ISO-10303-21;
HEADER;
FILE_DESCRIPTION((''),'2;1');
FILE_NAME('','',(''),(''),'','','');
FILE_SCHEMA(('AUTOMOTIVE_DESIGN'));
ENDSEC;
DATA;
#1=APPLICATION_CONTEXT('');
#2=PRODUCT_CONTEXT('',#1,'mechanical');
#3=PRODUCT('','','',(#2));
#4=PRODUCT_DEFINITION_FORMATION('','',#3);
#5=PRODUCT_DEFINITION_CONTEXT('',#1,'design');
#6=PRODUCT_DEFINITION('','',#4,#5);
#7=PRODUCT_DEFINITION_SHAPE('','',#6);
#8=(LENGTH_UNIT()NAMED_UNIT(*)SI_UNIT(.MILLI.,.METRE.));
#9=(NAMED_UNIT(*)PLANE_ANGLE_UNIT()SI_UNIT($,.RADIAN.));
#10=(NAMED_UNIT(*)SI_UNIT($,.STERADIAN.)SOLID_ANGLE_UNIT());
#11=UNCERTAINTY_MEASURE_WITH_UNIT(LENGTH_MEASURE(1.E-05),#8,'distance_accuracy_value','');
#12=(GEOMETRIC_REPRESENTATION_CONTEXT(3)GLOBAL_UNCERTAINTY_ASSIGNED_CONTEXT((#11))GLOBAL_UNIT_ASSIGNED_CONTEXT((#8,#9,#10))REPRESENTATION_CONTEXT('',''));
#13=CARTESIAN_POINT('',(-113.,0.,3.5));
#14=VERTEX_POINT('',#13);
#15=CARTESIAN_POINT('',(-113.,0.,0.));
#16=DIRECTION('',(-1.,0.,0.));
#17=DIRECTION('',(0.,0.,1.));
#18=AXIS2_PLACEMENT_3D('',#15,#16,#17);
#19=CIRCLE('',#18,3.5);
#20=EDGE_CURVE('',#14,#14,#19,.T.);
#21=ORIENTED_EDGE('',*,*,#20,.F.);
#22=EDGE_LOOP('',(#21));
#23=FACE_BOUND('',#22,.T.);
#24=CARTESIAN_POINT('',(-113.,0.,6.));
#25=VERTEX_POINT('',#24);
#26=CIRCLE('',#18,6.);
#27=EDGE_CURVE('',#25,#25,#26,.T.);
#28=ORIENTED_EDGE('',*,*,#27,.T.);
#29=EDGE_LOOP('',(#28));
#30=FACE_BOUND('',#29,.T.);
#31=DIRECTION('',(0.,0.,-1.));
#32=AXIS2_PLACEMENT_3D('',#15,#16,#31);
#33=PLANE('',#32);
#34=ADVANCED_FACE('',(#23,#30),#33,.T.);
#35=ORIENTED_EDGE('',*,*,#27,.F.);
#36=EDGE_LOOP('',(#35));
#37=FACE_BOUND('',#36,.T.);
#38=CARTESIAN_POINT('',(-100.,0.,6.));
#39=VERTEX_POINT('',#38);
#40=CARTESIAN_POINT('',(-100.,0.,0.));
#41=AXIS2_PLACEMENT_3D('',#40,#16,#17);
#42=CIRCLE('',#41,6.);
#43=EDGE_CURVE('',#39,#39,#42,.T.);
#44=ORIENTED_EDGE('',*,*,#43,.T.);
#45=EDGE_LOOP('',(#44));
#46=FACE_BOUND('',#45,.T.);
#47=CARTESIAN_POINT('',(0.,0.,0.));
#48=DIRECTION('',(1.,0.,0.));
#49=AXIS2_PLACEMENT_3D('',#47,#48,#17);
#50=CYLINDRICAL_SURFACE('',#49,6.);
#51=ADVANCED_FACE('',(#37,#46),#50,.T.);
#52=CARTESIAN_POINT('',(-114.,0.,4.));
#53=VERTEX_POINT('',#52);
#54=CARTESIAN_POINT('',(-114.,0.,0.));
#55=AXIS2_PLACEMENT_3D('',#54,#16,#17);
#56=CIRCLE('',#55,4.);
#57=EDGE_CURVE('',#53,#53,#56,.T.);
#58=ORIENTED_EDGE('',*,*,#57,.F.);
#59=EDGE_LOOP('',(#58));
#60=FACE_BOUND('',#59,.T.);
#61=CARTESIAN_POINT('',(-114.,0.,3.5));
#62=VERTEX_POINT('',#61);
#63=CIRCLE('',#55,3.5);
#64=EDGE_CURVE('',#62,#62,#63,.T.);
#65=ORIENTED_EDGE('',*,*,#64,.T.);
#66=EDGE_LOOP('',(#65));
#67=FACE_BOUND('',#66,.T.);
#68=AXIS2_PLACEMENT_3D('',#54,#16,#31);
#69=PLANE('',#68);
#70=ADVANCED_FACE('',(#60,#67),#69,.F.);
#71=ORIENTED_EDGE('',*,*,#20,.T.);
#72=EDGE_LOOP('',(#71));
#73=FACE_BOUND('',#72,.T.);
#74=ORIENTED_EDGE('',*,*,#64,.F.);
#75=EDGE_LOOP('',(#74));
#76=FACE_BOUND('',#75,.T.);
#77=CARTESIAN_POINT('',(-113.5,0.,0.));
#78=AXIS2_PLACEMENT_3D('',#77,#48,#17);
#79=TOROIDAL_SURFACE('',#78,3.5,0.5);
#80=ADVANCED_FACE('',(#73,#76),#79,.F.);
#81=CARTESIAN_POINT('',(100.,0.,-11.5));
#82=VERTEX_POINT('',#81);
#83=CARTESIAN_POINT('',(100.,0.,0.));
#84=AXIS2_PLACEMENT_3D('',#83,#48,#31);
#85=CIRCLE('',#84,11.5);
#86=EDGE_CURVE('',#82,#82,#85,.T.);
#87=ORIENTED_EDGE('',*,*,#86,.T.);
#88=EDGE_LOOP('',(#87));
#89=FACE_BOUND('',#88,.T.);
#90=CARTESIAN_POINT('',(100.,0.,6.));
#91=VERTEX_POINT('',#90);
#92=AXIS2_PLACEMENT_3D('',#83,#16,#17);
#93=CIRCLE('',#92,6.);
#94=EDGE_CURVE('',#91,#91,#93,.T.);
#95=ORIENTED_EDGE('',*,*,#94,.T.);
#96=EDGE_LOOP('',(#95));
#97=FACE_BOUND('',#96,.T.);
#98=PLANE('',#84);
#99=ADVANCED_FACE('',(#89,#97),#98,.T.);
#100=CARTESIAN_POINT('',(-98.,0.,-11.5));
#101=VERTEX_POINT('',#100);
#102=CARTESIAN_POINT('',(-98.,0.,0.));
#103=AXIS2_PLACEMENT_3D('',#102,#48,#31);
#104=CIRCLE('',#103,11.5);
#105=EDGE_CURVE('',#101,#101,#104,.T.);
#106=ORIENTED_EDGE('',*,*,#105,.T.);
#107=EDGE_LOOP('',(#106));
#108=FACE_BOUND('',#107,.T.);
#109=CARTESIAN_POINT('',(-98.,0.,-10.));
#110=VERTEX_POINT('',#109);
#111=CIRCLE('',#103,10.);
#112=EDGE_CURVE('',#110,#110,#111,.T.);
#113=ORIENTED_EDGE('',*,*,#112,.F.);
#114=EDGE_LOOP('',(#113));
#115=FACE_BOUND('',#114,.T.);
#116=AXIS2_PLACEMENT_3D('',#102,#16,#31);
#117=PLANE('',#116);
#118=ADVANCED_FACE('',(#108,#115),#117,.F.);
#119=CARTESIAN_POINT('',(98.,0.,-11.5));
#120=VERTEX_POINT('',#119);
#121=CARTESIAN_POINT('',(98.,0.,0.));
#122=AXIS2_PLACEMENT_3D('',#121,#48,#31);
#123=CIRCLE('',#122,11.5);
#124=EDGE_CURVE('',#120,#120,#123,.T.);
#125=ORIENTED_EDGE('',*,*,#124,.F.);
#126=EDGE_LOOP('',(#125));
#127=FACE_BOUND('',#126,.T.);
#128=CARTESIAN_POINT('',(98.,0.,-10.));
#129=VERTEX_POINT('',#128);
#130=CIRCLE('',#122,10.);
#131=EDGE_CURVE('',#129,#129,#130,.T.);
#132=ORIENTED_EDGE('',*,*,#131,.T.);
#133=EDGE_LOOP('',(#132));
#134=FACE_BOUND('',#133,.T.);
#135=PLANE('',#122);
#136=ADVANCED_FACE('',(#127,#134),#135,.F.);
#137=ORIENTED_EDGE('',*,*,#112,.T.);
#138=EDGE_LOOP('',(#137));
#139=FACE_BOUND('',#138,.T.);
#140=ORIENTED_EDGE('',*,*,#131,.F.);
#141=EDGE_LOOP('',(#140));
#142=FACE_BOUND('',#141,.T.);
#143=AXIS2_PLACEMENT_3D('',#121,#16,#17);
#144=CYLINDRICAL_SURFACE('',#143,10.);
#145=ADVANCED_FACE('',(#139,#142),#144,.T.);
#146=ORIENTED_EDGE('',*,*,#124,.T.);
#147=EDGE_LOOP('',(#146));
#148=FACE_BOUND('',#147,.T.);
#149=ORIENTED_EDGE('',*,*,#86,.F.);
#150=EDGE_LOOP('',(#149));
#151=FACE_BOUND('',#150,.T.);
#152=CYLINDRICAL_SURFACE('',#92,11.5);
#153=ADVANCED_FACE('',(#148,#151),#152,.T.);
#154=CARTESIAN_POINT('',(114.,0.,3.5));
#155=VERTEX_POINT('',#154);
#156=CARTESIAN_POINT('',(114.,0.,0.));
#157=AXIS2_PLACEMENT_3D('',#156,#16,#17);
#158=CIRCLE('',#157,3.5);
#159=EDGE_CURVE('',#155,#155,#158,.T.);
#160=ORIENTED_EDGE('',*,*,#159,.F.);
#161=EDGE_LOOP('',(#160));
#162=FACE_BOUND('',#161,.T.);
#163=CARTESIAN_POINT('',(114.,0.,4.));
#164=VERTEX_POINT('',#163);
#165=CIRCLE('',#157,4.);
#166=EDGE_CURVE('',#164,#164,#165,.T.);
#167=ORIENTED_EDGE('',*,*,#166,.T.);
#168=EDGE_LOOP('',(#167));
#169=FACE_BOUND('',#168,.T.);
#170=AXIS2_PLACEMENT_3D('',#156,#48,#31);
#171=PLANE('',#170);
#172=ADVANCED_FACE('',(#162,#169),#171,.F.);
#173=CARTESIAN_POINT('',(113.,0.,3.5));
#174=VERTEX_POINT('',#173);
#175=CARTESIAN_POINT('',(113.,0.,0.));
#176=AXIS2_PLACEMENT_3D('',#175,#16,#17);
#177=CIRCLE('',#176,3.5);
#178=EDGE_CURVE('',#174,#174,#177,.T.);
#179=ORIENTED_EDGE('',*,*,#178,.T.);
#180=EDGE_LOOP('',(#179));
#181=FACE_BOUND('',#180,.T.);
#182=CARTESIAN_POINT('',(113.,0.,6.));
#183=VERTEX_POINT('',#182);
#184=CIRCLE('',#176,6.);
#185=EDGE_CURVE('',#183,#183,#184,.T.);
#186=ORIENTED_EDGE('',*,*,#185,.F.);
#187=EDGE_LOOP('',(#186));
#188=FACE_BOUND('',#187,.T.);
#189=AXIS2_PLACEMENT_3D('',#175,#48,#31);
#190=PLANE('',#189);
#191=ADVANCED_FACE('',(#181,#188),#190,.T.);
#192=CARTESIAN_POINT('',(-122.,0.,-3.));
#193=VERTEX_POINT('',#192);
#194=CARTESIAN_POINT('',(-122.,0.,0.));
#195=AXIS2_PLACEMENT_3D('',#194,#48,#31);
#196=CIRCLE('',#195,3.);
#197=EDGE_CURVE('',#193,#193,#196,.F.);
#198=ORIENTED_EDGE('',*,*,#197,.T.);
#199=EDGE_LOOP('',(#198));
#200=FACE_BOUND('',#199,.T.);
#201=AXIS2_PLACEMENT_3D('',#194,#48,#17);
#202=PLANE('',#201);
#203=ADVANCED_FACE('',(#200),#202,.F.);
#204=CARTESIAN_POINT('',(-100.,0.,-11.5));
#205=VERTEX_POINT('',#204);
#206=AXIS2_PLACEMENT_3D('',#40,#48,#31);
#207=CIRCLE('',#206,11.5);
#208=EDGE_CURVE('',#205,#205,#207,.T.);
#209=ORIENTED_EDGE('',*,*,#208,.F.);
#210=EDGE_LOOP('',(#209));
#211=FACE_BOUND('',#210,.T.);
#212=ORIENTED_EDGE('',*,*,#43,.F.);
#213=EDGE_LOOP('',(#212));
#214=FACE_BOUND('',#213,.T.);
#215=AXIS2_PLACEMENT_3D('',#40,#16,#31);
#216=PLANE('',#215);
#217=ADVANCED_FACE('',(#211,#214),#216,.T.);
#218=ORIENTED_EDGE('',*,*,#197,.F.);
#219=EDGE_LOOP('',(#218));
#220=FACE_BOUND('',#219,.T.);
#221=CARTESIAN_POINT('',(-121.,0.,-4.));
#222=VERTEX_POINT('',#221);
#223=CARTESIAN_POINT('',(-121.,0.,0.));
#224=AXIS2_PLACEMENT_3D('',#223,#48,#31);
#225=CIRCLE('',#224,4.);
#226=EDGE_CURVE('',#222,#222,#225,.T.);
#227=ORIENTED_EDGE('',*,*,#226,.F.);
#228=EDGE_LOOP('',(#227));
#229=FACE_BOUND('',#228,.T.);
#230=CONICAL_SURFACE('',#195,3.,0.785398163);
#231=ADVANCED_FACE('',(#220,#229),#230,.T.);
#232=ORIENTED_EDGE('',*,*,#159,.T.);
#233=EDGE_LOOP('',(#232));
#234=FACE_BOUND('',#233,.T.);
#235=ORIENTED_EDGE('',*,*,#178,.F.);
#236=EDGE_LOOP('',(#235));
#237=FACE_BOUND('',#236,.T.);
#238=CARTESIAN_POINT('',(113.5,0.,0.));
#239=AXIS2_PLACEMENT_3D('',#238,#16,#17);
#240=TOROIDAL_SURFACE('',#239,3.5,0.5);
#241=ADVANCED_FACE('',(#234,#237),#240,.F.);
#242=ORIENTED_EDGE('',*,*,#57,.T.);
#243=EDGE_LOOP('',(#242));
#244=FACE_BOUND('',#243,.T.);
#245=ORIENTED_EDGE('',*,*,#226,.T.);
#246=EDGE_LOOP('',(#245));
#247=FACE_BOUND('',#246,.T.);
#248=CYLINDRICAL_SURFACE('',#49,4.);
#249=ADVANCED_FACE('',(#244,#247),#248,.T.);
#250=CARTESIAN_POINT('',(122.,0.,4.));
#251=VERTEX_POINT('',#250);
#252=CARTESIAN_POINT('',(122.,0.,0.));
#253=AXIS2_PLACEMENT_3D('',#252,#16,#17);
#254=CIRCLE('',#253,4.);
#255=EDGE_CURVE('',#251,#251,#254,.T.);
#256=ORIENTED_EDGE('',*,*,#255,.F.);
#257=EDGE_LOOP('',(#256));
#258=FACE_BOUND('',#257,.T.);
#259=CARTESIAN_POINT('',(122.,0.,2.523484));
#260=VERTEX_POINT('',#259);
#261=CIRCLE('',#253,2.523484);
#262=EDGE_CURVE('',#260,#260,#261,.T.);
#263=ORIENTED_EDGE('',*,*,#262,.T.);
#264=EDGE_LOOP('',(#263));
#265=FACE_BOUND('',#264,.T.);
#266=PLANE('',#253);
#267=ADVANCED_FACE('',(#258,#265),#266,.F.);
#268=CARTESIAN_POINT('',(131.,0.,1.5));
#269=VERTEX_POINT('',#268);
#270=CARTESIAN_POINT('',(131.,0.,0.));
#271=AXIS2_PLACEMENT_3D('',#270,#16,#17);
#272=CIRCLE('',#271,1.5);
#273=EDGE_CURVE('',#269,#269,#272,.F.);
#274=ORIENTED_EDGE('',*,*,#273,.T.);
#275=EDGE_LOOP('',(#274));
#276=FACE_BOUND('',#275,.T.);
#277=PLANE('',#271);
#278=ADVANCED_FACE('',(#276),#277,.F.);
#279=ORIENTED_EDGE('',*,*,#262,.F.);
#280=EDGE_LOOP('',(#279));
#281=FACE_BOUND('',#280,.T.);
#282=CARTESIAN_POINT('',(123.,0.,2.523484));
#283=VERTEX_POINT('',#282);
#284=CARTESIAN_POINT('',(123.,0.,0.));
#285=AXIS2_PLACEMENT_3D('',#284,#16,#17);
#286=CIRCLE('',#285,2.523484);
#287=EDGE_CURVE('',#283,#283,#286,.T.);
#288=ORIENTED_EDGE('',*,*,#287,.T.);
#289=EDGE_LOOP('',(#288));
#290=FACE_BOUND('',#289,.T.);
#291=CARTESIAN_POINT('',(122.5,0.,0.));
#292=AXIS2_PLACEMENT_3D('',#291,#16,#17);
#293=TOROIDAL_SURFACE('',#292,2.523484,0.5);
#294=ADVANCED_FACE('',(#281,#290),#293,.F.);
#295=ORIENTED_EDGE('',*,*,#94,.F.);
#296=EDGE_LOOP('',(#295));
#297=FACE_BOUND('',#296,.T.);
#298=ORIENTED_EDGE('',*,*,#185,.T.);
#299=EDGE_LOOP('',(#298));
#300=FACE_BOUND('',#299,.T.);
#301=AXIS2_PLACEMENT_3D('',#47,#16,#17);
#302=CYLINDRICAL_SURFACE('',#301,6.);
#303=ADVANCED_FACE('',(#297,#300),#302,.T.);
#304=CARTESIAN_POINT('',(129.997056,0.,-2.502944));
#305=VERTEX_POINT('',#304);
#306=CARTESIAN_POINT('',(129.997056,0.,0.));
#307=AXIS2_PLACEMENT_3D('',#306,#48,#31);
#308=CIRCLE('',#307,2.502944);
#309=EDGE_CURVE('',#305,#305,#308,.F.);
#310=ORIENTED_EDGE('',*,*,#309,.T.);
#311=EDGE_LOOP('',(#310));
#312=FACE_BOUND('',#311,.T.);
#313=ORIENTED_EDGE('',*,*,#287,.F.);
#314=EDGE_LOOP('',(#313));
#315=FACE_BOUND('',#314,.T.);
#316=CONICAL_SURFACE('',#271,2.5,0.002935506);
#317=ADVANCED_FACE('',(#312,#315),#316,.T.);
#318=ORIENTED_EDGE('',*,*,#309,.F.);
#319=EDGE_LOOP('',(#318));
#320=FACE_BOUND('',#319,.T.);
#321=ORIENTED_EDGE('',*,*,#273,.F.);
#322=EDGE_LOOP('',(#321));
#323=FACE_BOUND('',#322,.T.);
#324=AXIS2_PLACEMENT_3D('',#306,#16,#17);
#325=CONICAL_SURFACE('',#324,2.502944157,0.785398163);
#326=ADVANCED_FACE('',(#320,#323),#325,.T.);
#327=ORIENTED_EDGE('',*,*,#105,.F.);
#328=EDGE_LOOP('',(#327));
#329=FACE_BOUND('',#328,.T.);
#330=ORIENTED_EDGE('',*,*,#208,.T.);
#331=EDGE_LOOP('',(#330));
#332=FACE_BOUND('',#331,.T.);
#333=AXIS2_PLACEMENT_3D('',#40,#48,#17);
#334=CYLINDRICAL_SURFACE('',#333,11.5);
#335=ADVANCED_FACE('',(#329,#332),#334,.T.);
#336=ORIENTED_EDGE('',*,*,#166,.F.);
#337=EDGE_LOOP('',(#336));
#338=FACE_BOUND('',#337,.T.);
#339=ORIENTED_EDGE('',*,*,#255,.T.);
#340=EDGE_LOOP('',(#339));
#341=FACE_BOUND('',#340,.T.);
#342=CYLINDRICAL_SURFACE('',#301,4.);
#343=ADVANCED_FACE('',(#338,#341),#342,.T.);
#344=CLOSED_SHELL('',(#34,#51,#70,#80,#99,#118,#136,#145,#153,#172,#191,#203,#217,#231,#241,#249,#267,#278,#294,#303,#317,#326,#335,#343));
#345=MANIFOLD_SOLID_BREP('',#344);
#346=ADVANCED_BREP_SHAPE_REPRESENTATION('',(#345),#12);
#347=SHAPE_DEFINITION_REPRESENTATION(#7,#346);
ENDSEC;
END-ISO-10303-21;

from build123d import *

# Parameters (mm, degrees)
SKETCH2_R           = 10
BOSS_EXTRUDE1_DEPTH = 98
SKETCH11_R          = 11.5
BOSS_EXTRUDE3_DEPTH = 2
CHAMFER2_SIZE       = 1
CHAMFER2_SIZE2      = 1.002948478
SKETCH15_R          = 2.523484115
CUT_EXTRUDE2_DEPTH  = 9
CHAMFER4_SIZE       = 1


with BuildPart() as part:
    # Sketch2 → Boss-Extrude1 (new body)
    with BuildSketch(Plane(origin=(0, 0, 0), x_dir=(0, 0, -1), z_dir=(1, 0, 0))):
        Circle(SKETCH2_R)
    extrude(amount=BOSS_EXTRUDE1_DEPTH)

    # Sketch11 → Boss-Extrude3 (add)
    with BuildSketch(Plane(origin=(98, 0, 0), x_dir=(0, 0, -1), z_dir=(1, 0, 0))):
        Circle(SKETCH11_R)
    extrude(amount=BOSS_EXTRUDE3_DEPTH)

    # Mirror3: part across plane


with BuildPart() as part_1:
    add(part.part)
    add(part.part.mirror(Plane(origin=(0, 0, 0), x_dir=(0, 0, 1), z_dir=(1, 0, 0))))

    # Sketch14 → Revolve1 (revolve)
    with BuildSketch(Plane.XY, mode=Mode.PRIVATE) as revolve1_sk:
        with BuildLine():
            Line((100, 6), (100, 0))
            Line((100, 0), (131, 0))
            Line((131, 0), (131, 2.5))
            Line((131, 2.5), (123, 2.523484115))
            ThreePointArc((123, 2.523484115), (122.853553391, 2.169930724), (122.5, 2.023484115))
            ThreePointArc((122.5, 2.023484115), (122.146446609, 2.169930724), (122, 2.523484115))
            Line((122, 2.523484115), (122, 3))
            Line((122, 3), (122, 4))
            Line((122, 4), (114.5, 4))
            Line((114.5, 4), (114, 4))
            Line((114, 4), (114, 3.5))
            ThreePointArc((114, 3.5), (113.853553391, 3.146446609), (113.5, 3))
            ThreePointArc((113.5, 3), (113.146446609, 3.146446609), (113, 3.5))
            Line((113, 3.5), (113, 6))
            Line((113, 6), (100, 6))
        make_face()
    revolve1 = revolve(revolve1_sk.sketch.rotate(Axis((0, 0, 0), (1, 0, 0)), 90), axis=Axis((0, 0, 0), (1, 0, 0)))

    # Chamfer2
    chamfer2_edges = [part_1.edges().sort_by_distance(p)[0] for p in [
        (131, 0, -2.5),
    ]]
    chamfer2_side = [part_1.faces().sort_by_distance(p)[0] for p in [
        (131, 0, 0),
    ]]
    chamfer(chamfer2_edges, length=CHAMFER2_SIZE, length2=CHAMFER2_SIZE2, reference=chamfer2_side[0])

    # Mirror6: Revolve1 across plane
    add(revolve1.mirror(Plane(origin=(0, 0, 0), x_dir=(0, 0, 1), z_dir=(1, 0, 0))))

    # Sketch15 → Cut-Extrude2 (cut)
    with BuildSketch(Plane.ZY.offset(131)):
        Circle(SKETCH15_R)
    extrude(amount=-CUT_EXTRUDE2_DEPTH, mode=Mode.SUBTRACT)

    # Chamfer4
    chamfer4_edges = [part_1.edges().sort_by_distance(p)[0] for p in [
        (-122, 0, -4),
    ]]
    chamfer(chamfer4_edges, length=CHAMFER4_SIZE)


solid = part_1.part
